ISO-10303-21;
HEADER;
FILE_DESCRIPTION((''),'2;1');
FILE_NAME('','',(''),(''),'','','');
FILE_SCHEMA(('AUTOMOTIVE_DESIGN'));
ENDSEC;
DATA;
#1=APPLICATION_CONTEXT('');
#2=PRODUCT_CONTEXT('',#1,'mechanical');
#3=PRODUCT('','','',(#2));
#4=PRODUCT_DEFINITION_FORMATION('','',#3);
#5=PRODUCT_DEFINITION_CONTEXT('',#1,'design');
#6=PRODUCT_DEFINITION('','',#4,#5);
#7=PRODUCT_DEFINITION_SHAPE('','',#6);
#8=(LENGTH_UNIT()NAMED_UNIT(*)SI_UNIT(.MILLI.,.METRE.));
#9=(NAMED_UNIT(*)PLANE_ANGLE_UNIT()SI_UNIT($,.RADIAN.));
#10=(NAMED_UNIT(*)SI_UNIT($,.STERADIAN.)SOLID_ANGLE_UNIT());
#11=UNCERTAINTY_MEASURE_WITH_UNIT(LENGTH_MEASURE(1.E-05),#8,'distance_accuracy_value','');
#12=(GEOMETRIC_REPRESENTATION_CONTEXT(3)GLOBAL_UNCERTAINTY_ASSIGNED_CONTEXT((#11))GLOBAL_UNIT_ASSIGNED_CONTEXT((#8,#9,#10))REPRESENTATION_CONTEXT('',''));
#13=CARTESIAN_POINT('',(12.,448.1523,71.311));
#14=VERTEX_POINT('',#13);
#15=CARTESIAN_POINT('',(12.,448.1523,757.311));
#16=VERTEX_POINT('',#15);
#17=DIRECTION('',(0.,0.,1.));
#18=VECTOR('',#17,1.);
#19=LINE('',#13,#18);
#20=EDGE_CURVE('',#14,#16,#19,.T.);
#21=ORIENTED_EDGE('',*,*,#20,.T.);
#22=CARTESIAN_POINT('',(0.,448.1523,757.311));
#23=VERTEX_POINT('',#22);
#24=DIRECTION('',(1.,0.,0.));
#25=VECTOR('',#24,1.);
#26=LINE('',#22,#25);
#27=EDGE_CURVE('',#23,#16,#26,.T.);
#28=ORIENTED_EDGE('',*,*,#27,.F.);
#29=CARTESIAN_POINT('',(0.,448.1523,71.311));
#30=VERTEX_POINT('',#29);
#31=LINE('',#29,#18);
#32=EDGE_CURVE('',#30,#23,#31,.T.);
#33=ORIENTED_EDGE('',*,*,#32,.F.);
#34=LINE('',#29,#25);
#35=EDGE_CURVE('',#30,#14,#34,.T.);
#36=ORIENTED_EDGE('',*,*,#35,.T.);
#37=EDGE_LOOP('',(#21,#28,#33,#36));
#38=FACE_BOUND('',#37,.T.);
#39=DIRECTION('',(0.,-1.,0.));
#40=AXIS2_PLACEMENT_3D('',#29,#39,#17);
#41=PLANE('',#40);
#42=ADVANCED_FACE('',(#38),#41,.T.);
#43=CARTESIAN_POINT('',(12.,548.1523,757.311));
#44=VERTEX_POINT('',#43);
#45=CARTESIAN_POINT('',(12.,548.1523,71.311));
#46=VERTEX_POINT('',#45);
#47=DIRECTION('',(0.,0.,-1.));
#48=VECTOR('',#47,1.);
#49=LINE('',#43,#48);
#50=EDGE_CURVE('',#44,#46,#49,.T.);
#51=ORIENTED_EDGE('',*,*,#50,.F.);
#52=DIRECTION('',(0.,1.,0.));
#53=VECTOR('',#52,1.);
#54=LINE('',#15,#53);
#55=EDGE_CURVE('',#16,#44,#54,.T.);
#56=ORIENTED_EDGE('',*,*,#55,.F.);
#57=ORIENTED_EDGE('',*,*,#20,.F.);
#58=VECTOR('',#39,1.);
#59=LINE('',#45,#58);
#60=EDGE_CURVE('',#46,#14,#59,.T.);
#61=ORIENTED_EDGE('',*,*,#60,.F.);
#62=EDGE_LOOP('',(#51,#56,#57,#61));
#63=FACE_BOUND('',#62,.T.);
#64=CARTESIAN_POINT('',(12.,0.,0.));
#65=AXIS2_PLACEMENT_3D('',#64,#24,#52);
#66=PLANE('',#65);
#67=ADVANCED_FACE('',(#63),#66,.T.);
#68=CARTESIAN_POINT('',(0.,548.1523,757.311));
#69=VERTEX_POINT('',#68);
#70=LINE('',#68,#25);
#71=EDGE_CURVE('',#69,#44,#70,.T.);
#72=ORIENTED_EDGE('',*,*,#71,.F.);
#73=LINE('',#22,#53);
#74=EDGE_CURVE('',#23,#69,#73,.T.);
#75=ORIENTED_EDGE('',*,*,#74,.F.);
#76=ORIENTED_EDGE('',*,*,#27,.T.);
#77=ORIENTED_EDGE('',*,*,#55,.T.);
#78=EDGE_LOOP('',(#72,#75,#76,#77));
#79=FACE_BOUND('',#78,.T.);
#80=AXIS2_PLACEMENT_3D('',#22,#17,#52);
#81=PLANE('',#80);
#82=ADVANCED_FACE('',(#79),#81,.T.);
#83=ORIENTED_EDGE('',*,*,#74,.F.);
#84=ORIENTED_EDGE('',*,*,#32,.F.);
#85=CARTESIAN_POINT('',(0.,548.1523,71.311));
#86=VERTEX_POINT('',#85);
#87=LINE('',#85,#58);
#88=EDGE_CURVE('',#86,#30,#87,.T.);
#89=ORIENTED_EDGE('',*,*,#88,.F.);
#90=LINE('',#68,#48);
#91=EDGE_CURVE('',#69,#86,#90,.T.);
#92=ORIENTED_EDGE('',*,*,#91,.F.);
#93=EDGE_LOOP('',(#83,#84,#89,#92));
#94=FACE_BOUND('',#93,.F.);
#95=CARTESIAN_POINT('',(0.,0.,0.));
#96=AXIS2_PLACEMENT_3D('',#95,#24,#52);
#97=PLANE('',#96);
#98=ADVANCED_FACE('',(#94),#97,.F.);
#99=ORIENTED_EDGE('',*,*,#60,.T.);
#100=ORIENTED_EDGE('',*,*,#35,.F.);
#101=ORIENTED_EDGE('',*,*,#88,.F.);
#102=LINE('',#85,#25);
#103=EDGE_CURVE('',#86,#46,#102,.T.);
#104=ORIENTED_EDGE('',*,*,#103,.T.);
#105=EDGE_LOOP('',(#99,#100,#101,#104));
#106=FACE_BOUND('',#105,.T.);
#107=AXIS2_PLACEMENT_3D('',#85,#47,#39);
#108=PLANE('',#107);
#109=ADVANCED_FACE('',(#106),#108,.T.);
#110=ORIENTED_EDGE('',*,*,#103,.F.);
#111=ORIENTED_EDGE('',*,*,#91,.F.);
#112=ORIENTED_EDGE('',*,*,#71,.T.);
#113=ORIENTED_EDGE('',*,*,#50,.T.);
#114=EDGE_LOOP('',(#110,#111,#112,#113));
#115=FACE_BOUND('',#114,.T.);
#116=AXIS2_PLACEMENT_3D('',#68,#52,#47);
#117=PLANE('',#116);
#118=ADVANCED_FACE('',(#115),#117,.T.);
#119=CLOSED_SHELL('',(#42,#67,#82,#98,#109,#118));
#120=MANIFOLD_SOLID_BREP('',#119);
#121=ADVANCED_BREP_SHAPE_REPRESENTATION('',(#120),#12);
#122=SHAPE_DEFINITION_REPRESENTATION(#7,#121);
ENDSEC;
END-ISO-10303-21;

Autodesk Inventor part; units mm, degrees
ref_plane "YZ Plane" through (0, 0, 0) normal (1, 0, 0) x (0, 1, 0)
ref_plane "XZ Plane" through (0, 0, 0) normal (0, 1, 0) x (-1, 0, 0)
ref_plane "XY Plane" through (0, 0, 0) normal (0, 0, 1) x (1, 0, 0)
sketch "Sketch1" plane through (0, 0, 0) normal (1, 0, 0) x (0, 1, 0)
  line L0 (448.1523, 757.311) -> (548.1523, 757.311)
  line L1 (548.1523, 757.311) -> (548.1523, 71.311)
  line L2 (548.1523, 71.311) -> (448.1523, 71.311)
  line L3 (448.1523, 71.311) -> (448.1523, 757.311)
  point P0 (0, 0)
  dimension "b" = 686
  dimension "d1" = 100
extrude "Extrusion1" add sketch "Sketch1" along normal blind 12
properties part number "CUT PART N"
